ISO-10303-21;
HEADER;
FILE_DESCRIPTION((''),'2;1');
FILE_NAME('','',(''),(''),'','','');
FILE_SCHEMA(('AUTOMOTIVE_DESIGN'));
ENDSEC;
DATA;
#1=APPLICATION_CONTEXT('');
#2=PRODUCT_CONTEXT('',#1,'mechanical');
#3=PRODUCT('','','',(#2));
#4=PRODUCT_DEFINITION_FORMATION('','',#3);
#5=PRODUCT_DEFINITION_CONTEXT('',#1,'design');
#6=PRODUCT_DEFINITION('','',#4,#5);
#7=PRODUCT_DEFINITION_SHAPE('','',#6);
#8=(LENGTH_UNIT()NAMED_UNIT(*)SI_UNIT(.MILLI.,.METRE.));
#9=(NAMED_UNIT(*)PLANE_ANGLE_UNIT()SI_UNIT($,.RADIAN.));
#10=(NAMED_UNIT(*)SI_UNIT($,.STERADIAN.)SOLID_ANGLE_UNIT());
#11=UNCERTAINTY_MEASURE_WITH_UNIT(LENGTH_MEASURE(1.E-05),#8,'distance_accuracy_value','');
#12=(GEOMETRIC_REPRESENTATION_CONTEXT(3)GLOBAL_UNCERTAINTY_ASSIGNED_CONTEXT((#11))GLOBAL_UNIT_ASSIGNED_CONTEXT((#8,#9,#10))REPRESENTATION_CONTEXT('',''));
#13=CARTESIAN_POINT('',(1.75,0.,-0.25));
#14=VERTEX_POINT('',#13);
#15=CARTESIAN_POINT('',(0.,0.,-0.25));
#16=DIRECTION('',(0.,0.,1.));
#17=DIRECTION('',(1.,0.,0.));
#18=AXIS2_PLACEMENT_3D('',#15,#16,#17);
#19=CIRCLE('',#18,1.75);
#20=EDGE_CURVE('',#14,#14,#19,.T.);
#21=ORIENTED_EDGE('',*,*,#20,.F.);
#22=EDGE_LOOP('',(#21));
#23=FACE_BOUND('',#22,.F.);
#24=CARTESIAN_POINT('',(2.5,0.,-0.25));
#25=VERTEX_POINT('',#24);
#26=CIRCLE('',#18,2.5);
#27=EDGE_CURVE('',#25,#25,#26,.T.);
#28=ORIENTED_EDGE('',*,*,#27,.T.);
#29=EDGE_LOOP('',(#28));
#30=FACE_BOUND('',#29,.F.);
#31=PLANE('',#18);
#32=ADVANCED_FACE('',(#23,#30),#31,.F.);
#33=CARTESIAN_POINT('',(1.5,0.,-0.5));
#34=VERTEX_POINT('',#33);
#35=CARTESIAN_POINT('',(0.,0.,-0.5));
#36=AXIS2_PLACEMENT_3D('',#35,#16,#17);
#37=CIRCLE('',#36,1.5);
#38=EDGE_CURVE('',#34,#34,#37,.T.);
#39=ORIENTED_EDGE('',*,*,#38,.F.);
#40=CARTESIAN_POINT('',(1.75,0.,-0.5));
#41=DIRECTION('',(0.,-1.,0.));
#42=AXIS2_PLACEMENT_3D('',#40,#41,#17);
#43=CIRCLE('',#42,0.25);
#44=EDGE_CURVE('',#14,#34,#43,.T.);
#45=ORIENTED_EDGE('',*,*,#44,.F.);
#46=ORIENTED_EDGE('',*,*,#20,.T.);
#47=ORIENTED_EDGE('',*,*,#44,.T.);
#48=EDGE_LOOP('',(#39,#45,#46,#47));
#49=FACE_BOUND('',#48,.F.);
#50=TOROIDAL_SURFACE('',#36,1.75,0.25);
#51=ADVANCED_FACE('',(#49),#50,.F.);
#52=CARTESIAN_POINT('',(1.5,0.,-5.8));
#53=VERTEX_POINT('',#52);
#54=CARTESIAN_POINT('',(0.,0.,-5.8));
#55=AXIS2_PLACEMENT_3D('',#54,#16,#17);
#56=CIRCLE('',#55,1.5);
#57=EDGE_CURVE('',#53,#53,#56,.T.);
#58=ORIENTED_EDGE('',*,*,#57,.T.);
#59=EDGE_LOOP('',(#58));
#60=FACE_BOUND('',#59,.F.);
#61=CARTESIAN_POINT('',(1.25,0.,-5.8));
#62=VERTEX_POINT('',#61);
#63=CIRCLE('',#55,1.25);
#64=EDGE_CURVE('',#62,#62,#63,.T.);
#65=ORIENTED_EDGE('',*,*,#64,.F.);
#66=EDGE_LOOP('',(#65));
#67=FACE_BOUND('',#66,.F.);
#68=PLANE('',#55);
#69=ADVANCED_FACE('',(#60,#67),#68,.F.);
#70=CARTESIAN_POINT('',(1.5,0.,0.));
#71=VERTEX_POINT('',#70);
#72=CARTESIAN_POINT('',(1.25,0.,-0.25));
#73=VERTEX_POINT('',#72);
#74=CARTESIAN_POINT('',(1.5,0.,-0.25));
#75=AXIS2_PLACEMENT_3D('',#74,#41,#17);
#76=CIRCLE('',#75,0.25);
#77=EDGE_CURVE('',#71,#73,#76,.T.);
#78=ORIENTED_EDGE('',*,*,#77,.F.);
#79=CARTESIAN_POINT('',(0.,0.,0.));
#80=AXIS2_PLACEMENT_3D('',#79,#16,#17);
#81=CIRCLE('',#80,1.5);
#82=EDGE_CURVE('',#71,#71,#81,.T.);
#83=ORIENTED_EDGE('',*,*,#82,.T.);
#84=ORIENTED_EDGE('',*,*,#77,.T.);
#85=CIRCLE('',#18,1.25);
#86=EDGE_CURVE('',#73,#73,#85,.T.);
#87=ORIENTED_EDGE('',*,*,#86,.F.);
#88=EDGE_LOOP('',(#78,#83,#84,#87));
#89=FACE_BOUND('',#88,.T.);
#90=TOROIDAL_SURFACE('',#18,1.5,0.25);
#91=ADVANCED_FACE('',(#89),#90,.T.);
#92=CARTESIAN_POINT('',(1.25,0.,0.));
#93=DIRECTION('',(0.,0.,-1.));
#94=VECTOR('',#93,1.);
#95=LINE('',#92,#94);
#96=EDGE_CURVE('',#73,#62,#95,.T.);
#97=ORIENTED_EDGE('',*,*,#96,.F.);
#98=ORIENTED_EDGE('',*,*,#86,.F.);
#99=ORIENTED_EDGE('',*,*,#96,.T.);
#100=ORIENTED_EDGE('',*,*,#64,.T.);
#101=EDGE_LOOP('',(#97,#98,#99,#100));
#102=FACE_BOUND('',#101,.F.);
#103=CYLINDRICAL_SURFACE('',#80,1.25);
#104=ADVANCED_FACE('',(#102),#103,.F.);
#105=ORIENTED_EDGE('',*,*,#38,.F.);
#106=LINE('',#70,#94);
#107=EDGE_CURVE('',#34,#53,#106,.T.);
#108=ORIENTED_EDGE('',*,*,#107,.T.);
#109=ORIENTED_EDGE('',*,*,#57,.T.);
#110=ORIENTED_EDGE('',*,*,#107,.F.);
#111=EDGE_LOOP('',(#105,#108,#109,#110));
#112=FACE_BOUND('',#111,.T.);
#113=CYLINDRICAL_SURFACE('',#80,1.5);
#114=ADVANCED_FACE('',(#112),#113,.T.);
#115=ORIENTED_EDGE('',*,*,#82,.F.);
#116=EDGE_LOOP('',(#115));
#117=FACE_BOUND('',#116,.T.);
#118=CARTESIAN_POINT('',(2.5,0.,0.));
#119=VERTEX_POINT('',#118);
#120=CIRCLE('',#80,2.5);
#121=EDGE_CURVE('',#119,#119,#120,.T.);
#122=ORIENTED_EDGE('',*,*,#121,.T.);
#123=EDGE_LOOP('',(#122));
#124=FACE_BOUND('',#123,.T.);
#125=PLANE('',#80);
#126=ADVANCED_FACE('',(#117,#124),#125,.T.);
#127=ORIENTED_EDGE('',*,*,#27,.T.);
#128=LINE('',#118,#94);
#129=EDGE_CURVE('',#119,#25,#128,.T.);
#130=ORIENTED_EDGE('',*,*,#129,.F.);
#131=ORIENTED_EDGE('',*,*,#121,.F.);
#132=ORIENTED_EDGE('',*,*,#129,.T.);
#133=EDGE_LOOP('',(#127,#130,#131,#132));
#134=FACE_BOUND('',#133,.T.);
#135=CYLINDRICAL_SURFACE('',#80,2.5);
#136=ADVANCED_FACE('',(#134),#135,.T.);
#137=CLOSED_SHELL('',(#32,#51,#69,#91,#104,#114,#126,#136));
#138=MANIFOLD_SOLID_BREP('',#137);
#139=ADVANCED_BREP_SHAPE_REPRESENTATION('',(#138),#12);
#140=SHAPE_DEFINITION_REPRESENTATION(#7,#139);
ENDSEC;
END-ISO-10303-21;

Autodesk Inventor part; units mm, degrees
ref_plane "YZ Plane" through (0, 0, 0) normal (1, 0, 0) x (0, 1, 0)
ref_plane "XZ Plane" through (0, 0, 0) normal (0, 1, 0) x (-1, 0, 0)
ref_plane "XY Plane" through (0, 0, 0) normal (0, 0, 1) x (1, 0, 0)
sketch "Sketch1" plane through (0, 0, 0) normal (0, 0, 1) x (1, 0, 0)
  circle A0 centre (0, 0) radius 2.5
  circle A1 centre (0, 0) radius 1.25
  circle A2 centre (0, 0) radius 1.5
  dimension "d0" = 5
  dimension "d1" = 2.5
  dimension "d2" = 3
extrude "Extrusion1" add sketch "Sketch1" against normal blind 0.25 contours A0
extrude "Extrusion2" add sketch "Sketch1" against normal blind 5.8 contours A2
fillet "Fillet1" radius 0.25 1 edges at (-1.25, 0, 0)
fillet "Fillet2" radius 0.25 1 edges at (-1.5, 0, -0.25)
properties part number "Standard Servo Brass Sleeve"
